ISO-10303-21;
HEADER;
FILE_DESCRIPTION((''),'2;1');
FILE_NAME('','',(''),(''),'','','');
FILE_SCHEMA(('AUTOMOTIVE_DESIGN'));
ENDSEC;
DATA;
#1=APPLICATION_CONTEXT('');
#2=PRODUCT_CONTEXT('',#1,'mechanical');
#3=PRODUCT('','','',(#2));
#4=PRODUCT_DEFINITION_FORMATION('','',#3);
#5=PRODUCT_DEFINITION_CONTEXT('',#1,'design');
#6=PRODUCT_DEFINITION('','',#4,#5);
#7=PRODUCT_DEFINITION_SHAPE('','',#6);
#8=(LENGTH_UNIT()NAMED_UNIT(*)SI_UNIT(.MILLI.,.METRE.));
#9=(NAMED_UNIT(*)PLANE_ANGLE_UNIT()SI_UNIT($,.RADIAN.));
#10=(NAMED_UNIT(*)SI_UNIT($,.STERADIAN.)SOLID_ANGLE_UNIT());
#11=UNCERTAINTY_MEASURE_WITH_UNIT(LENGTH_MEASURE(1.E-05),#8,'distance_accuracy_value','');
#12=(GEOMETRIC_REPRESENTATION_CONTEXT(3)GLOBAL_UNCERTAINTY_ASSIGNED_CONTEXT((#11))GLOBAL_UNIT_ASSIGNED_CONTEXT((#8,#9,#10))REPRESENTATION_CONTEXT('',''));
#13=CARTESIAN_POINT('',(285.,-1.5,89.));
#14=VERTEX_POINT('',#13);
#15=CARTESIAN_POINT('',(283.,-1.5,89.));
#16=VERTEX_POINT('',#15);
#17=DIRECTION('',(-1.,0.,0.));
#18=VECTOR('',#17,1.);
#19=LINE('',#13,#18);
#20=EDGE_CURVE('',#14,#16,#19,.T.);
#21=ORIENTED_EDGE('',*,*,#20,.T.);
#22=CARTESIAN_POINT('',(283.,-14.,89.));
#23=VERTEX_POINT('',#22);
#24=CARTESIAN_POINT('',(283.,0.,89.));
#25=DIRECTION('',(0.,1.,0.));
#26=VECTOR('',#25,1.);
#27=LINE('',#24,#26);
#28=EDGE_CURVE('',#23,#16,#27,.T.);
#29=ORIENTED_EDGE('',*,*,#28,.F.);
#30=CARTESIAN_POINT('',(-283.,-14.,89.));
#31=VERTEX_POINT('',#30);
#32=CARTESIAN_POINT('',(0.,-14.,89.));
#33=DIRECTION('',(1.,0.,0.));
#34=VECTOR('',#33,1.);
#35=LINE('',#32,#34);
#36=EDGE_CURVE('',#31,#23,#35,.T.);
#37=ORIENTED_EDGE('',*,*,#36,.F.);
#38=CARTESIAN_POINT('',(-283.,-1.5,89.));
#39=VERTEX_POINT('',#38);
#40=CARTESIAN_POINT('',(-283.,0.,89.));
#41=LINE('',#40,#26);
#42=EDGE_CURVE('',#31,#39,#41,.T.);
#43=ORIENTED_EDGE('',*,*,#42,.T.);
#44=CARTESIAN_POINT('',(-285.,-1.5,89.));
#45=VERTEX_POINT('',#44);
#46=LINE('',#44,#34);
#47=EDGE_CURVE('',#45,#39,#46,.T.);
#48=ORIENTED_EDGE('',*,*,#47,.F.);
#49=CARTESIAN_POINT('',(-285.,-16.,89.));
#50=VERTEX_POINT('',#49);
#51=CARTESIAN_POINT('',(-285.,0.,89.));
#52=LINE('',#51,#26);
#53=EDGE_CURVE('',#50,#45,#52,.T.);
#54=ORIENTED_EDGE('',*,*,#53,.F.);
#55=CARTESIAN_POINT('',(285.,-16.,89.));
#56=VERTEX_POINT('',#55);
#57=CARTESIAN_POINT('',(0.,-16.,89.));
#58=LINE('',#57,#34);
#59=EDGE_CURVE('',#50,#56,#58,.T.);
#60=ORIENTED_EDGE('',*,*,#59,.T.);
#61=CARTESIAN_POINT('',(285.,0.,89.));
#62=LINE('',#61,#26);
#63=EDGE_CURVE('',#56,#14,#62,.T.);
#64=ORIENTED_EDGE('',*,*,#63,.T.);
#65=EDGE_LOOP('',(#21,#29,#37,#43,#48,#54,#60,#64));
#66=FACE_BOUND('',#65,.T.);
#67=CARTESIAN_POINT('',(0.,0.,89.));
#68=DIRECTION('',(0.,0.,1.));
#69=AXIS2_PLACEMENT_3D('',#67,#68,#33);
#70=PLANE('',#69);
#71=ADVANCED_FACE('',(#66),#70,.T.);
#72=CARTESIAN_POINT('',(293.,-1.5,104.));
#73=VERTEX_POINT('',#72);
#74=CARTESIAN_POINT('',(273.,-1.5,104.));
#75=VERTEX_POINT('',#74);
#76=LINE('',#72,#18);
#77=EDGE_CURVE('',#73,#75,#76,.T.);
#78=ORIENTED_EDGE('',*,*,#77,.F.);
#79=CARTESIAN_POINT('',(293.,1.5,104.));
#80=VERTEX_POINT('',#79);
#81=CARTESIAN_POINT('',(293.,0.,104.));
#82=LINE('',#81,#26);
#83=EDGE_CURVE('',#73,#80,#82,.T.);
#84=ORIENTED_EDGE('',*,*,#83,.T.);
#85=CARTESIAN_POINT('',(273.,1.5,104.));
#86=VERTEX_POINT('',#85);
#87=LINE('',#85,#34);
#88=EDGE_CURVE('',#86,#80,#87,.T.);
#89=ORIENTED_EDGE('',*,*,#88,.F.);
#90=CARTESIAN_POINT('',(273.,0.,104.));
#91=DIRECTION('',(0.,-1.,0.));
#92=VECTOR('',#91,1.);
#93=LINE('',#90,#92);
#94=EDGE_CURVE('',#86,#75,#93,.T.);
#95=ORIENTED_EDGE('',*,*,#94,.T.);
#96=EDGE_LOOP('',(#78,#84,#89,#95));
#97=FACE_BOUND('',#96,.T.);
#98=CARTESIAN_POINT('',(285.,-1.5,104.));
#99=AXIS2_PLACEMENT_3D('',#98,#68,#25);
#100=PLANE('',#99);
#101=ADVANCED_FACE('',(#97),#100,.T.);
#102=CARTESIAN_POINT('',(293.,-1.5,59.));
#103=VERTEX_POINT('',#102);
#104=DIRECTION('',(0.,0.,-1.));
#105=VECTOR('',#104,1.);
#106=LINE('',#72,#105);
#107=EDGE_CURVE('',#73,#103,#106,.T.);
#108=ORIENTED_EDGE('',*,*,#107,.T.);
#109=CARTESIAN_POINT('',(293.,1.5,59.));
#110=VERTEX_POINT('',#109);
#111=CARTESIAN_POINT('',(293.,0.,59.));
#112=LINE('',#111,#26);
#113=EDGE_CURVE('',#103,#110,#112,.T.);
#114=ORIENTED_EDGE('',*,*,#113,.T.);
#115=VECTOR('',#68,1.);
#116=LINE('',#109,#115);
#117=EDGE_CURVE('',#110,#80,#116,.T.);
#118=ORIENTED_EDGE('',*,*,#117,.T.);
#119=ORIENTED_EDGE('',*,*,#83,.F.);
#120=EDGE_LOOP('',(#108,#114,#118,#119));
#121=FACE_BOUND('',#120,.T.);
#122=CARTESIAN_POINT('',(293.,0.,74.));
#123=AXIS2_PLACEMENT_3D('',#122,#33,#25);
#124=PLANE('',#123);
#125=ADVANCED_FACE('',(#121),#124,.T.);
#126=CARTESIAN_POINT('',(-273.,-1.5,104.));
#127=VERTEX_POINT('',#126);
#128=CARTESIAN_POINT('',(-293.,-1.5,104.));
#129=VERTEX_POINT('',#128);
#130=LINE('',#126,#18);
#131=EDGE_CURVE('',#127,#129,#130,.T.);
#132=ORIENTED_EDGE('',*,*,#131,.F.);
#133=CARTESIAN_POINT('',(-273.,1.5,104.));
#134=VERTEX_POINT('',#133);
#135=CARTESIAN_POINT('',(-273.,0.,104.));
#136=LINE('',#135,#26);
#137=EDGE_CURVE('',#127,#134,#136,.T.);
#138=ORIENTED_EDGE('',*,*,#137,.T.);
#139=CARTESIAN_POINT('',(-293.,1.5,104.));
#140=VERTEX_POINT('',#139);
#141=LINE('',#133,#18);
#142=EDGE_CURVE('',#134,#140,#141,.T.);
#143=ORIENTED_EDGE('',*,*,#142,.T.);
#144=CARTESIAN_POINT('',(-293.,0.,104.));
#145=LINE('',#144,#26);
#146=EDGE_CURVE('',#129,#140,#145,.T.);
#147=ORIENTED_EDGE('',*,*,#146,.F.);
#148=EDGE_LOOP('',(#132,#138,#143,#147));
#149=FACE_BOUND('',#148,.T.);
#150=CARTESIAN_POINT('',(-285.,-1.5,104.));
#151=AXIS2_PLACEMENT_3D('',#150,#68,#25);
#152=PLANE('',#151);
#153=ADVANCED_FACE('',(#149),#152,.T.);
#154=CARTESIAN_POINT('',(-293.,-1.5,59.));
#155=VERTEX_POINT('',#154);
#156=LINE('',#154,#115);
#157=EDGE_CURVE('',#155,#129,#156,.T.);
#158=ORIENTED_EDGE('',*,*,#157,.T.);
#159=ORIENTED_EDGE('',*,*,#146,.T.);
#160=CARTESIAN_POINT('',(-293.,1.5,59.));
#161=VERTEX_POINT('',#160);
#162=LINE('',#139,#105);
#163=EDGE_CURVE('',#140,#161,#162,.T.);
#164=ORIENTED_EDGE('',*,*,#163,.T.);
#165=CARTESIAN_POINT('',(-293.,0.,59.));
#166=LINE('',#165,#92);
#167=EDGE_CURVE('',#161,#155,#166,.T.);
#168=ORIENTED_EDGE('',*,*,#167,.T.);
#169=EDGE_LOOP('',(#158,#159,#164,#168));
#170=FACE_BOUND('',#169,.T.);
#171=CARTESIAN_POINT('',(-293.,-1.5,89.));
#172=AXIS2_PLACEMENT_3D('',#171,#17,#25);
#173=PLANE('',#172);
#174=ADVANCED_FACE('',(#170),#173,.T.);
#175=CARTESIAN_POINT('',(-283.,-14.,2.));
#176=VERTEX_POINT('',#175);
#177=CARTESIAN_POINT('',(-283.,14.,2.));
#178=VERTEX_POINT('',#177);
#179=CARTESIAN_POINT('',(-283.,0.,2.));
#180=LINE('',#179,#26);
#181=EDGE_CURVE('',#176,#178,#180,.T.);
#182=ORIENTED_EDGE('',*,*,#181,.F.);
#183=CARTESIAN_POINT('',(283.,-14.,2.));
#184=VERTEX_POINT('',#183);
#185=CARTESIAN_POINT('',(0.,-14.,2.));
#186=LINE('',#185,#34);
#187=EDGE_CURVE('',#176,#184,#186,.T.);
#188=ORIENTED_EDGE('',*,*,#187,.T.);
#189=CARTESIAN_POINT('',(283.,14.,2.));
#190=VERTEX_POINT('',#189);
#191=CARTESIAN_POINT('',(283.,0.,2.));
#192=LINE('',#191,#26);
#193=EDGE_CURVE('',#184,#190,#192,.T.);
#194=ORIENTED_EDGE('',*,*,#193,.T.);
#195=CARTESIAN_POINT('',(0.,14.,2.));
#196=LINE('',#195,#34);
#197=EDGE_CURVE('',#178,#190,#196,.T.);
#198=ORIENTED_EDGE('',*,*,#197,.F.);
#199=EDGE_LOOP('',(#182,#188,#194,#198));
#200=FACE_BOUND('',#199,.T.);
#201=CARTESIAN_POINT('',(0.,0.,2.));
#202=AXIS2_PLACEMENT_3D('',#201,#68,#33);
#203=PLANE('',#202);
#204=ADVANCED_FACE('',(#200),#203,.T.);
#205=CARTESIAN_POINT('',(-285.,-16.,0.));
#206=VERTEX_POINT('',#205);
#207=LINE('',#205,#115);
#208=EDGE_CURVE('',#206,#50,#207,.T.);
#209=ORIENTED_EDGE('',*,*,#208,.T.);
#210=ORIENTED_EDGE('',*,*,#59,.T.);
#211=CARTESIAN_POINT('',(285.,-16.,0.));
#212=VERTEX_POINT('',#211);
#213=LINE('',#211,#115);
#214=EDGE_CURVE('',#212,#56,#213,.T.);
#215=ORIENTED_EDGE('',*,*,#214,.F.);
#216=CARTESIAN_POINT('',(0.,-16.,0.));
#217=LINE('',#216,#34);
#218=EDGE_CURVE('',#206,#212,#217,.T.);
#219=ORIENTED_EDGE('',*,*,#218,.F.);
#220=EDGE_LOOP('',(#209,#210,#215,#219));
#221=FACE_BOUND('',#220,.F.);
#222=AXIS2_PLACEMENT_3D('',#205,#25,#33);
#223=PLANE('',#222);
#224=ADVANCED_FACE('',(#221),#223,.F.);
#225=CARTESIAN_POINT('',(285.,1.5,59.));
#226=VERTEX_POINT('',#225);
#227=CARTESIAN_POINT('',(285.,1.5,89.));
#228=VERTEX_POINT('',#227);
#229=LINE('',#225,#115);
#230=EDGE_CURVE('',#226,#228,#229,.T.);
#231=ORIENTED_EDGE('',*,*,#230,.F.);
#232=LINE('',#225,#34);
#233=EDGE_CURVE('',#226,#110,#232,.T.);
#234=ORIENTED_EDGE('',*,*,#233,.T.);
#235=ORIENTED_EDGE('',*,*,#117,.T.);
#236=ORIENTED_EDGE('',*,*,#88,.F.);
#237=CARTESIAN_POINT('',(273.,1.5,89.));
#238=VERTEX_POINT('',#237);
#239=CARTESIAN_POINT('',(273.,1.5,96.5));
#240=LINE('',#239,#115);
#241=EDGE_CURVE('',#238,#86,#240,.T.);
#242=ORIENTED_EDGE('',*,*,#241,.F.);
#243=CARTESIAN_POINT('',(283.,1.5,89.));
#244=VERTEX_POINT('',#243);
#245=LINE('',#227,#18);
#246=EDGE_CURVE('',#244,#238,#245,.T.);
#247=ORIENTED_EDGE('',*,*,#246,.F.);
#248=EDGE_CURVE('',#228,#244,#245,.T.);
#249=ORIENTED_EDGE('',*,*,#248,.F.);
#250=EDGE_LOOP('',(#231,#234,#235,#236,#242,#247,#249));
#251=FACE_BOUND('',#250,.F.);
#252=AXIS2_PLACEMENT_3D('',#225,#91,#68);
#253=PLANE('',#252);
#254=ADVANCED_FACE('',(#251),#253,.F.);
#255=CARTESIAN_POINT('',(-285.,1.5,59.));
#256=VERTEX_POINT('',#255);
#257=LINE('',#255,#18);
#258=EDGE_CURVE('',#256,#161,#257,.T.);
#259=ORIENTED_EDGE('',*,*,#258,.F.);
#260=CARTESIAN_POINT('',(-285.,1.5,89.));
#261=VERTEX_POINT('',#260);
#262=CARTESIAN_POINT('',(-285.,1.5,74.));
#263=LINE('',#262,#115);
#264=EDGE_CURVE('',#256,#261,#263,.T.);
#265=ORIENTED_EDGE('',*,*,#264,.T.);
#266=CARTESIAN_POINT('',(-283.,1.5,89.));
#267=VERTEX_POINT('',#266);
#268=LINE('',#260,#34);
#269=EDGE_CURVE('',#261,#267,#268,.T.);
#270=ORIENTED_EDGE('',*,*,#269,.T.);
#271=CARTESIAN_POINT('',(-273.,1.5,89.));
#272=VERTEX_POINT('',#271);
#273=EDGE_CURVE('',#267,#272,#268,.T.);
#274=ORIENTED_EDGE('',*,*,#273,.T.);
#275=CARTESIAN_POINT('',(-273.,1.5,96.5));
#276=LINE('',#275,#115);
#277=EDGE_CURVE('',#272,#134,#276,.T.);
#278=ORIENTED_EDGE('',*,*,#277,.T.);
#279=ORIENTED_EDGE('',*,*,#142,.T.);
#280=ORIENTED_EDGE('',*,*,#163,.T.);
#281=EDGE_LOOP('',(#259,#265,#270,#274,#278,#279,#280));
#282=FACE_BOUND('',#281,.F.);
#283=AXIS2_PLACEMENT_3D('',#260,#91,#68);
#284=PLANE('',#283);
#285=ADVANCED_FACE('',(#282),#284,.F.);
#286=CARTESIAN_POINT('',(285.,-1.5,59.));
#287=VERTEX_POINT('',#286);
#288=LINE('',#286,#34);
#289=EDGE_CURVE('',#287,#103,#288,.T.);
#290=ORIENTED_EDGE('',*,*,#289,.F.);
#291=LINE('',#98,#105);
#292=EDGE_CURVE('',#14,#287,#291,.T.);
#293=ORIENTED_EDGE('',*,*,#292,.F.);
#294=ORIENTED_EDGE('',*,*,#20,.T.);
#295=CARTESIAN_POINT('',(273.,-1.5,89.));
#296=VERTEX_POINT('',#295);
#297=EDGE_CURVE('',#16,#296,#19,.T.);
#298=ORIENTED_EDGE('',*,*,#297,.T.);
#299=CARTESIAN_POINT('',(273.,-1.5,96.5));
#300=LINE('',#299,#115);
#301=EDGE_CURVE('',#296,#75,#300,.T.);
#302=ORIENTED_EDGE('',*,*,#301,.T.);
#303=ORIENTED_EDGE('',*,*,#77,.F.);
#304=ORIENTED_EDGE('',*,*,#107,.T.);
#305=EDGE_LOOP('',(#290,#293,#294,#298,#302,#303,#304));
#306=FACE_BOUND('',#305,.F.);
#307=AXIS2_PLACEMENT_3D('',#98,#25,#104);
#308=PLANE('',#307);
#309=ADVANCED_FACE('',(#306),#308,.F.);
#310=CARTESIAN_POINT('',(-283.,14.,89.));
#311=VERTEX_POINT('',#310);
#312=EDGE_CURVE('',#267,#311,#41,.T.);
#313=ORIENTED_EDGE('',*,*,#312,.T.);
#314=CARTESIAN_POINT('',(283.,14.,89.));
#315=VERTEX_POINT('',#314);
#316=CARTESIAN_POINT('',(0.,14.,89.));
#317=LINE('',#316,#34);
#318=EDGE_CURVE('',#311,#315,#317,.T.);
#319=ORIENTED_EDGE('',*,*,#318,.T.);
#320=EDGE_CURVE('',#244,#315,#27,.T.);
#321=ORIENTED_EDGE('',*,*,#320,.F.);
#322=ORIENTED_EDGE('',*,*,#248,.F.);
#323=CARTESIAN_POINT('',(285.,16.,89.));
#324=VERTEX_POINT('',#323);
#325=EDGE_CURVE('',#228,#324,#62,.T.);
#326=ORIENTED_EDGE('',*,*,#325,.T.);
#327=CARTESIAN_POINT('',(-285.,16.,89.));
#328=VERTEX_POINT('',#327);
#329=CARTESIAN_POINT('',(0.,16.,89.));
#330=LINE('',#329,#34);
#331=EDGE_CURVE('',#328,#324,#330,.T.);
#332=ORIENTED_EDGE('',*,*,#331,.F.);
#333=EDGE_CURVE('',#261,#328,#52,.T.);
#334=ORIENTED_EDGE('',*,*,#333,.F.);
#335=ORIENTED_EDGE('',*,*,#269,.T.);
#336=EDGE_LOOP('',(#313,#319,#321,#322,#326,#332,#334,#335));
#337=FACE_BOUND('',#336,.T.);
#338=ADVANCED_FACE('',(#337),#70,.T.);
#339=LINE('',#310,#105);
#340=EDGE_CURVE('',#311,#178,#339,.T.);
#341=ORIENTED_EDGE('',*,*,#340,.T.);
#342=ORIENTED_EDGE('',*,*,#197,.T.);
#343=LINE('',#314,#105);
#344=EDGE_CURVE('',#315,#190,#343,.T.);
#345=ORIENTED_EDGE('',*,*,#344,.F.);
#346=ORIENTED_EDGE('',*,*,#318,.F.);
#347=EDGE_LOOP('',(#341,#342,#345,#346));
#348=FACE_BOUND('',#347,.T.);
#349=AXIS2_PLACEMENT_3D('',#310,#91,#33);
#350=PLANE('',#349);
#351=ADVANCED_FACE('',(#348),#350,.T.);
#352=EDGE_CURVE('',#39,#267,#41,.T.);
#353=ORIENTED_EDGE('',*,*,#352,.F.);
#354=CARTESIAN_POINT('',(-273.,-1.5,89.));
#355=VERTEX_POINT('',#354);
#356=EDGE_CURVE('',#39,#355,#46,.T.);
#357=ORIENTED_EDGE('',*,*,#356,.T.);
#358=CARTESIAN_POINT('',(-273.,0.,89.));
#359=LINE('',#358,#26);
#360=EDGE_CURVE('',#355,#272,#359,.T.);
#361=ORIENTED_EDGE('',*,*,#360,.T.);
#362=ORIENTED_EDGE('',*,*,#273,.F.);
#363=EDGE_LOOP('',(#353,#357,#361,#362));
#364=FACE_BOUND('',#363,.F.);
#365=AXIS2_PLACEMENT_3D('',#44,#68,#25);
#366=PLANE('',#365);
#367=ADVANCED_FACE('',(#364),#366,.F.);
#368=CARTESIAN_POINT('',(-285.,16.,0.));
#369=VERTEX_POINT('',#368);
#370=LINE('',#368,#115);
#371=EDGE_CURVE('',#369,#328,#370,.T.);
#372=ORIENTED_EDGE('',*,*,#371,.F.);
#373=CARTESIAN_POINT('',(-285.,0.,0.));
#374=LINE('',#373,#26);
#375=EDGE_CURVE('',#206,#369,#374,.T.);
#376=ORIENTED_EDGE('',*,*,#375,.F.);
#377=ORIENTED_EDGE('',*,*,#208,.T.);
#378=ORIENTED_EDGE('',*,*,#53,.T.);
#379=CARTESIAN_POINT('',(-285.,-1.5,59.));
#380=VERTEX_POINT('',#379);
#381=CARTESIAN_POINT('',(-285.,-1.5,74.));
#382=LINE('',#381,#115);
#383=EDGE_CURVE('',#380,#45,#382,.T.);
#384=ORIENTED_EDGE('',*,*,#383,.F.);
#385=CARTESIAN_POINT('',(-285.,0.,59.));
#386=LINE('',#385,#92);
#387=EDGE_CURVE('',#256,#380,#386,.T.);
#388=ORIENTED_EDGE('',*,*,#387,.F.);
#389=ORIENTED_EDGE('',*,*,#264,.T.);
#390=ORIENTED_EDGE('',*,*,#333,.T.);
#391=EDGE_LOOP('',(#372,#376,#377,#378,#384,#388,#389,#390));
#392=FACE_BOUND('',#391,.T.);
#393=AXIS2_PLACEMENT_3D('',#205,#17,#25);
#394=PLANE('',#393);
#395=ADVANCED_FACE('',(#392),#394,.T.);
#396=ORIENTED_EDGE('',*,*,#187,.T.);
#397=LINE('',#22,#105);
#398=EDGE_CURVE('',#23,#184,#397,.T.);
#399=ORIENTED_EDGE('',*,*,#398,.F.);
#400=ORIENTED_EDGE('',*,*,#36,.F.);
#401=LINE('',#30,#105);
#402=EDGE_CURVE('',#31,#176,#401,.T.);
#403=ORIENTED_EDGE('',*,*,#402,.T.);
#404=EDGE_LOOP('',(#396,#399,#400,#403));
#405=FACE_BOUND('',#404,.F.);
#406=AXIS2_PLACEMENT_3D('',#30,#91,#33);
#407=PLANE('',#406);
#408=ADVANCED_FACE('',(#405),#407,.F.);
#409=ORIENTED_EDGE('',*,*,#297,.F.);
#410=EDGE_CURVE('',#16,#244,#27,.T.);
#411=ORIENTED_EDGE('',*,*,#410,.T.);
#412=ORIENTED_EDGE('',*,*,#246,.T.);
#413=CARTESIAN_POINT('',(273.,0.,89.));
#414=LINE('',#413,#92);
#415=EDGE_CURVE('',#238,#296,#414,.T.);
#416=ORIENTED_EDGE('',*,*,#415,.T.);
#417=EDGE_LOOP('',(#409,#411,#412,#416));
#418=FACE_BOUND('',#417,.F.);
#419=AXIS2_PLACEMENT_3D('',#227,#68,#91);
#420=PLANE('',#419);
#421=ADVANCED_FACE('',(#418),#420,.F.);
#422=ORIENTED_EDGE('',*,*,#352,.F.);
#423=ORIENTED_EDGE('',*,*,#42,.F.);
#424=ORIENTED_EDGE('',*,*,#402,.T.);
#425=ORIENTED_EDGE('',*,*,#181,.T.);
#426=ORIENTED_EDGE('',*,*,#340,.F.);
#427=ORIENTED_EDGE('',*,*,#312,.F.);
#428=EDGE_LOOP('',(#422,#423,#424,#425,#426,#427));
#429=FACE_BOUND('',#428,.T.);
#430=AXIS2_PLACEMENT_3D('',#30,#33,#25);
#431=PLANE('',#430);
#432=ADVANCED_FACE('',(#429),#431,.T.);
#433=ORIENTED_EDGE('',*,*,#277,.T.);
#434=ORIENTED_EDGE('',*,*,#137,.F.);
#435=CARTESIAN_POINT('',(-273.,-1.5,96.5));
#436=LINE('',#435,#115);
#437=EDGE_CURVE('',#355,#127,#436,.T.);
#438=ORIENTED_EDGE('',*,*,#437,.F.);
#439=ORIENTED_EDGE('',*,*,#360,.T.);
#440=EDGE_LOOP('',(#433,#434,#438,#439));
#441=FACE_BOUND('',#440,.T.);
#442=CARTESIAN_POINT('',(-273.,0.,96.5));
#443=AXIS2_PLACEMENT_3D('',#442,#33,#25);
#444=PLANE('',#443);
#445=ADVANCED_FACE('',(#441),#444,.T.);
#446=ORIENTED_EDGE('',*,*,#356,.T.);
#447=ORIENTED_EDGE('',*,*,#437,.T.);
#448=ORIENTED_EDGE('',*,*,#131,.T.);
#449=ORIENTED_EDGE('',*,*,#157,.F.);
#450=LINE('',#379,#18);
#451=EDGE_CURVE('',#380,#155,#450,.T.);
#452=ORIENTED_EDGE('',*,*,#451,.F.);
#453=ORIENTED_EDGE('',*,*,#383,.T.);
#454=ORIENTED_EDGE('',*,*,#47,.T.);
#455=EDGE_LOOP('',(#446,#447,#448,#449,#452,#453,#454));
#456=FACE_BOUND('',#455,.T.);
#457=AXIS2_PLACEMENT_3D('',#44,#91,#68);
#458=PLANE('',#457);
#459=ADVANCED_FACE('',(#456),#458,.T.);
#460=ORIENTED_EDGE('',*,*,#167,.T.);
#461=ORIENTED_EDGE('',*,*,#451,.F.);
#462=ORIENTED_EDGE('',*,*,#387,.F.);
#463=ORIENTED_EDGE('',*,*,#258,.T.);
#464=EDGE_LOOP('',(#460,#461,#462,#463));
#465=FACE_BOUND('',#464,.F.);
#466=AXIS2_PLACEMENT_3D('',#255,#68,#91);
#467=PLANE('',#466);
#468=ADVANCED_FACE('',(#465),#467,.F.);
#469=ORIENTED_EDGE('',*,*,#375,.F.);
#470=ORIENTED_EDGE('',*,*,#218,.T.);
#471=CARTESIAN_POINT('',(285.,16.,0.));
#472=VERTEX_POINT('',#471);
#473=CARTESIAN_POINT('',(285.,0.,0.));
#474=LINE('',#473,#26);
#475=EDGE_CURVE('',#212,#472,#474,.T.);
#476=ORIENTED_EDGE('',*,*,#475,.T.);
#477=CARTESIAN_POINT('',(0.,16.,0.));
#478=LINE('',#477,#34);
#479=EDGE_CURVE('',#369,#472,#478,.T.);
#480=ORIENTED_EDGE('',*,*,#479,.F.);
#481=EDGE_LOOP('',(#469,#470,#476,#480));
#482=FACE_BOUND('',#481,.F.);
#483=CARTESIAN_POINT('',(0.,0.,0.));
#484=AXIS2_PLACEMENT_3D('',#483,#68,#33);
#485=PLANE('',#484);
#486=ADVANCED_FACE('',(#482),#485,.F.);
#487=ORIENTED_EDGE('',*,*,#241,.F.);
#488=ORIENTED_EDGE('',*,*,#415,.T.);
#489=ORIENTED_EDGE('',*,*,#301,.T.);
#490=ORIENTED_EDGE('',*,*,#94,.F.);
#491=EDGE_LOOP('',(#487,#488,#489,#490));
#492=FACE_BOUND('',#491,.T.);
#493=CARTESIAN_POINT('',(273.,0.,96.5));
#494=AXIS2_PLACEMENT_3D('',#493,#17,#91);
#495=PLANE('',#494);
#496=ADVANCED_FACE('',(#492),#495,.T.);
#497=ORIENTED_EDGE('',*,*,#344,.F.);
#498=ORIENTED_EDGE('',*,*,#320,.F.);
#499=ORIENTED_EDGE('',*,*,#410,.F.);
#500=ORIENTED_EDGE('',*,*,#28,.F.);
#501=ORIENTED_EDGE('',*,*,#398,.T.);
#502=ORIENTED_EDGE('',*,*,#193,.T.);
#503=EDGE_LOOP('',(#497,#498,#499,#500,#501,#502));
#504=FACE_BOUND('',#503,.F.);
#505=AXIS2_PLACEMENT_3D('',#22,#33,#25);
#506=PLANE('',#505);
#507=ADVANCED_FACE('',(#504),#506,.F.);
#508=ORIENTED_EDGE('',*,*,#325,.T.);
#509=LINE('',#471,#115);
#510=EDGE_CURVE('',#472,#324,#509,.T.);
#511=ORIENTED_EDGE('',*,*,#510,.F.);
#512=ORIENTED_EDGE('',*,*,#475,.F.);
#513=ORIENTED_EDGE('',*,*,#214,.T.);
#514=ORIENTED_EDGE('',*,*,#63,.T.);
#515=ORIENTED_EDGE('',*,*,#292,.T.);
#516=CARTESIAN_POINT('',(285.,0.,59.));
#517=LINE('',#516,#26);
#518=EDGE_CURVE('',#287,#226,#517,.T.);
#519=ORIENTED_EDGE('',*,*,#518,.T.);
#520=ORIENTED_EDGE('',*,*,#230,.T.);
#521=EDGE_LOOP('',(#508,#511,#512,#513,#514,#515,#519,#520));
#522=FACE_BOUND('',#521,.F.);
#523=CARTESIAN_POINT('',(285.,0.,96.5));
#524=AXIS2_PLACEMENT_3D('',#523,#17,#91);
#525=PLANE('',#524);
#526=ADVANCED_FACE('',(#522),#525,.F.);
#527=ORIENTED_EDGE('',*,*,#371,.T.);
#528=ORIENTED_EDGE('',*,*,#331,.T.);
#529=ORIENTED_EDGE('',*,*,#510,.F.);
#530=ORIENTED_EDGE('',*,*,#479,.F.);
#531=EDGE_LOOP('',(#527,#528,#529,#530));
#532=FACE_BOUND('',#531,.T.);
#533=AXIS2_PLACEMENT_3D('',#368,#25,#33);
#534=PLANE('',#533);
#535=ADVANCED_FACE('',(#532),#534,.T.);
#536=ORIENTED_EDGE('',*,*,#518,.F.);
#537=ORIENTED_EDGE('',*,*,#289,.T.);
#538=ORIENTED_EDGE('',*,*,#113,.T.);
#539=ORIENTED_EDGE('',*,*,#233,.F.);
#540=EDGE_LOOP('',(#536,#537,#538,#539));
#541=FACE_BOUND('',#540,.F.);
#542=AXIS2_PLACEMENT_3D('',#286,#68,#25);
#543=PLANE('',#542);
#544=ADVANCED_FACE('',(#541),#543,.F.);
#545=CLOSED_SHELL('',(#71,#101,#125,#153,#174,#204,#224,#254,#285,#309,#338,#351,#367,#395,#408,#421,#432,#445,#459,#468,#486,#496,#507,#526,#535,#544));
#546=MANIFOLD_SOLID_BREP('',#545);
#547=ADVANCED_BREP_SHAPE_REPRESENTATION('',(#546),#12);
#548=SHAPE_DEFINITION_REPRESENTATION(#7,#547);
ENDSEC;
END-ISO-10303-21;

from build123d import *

# Parameters (mm, degrees)
F0_W      = 570
F0_H      = 32
F1_DEPTH  = 89
F2_W      = 3
F2_H      = 30
F3_DEPTH  = 8
F4_W      = 8
F4_H      = 3
F5_DEPTH  = 15
F6_W      = 566
F6_H      = 28
F7_DEPTH  = 87
F8_W      = 3
F8_H      = 15
F9_DEPTH  = 12
F10_W     = 3
F10_H     = 30
F10_H_2   = 15
F11_DEPTH = 8
F12_W     = 3
F12_H     = 15
F13_DEPTH = 12


with BuildPart() as f1:
    # F0 (on Top) → F1 (new body)
    with BuildSketch(Plane.XY):
        Rectangle(F0_W, F0_H)
    extrude(amount=F1_DEPTH)

    # F2 (on face) → F3 (join)
    with BuildSketch(Plane(origin=(-285, 0, 0), x_dir=(0, -1, 0), z_dir=(-1, 0, 0))):
        with Locations((0, 74)):
            Rectangle(F2_W, F2_H)
    extrude(amount=F3_DEPTH)

    # F4 (on face) → F5 (join)
    with BuildSketch(Plane.XY.offset(89)):
        with Locations((-289, 0)):
            Rectangle(F4_W, F4_H)
    extrude(amount=F5_DEPTH)

    # F6 (on face) → F7 (cut)
    with BuildSketch(Plane.XY.offset(89)):
        Rectangle(F6_W, F6_H)
    extrude(amount=-F7_DEPTH, mode=Mode.SUBTRACT)

    # F8 (on face) → F9 (join)
    with BuildSketch(Plane(origin=(285, 0, 0), x_dir=(0, -1, 0), z_dir=(-1, 0, 0))):
        with Locations((0, 96.5)):
            Rectangle(F8_W, F8_H)
    extrude(amount=F9_DEPTH)

    # F10 (on face) → F11 (join)
    with BuildSketch(Plane.YZ.offset(285)):
        with Locations((0, 74)):
            Rectangle(F10_W, F10_H)
        with Locations((0, 96.5)):
            Rectangle(F10_W, F10_H_2)
    extrude(amount=F11_DEPTH)

    # F12 (on face) → F13 (join)
    with BuildSketch(Plane.YZ.offset(-285)):
        with Locations((0, 96.5)):
            Rectangle(F12_W, F12_H)
    extrude(amount=F13_DEPTH)


solid = f1.part
